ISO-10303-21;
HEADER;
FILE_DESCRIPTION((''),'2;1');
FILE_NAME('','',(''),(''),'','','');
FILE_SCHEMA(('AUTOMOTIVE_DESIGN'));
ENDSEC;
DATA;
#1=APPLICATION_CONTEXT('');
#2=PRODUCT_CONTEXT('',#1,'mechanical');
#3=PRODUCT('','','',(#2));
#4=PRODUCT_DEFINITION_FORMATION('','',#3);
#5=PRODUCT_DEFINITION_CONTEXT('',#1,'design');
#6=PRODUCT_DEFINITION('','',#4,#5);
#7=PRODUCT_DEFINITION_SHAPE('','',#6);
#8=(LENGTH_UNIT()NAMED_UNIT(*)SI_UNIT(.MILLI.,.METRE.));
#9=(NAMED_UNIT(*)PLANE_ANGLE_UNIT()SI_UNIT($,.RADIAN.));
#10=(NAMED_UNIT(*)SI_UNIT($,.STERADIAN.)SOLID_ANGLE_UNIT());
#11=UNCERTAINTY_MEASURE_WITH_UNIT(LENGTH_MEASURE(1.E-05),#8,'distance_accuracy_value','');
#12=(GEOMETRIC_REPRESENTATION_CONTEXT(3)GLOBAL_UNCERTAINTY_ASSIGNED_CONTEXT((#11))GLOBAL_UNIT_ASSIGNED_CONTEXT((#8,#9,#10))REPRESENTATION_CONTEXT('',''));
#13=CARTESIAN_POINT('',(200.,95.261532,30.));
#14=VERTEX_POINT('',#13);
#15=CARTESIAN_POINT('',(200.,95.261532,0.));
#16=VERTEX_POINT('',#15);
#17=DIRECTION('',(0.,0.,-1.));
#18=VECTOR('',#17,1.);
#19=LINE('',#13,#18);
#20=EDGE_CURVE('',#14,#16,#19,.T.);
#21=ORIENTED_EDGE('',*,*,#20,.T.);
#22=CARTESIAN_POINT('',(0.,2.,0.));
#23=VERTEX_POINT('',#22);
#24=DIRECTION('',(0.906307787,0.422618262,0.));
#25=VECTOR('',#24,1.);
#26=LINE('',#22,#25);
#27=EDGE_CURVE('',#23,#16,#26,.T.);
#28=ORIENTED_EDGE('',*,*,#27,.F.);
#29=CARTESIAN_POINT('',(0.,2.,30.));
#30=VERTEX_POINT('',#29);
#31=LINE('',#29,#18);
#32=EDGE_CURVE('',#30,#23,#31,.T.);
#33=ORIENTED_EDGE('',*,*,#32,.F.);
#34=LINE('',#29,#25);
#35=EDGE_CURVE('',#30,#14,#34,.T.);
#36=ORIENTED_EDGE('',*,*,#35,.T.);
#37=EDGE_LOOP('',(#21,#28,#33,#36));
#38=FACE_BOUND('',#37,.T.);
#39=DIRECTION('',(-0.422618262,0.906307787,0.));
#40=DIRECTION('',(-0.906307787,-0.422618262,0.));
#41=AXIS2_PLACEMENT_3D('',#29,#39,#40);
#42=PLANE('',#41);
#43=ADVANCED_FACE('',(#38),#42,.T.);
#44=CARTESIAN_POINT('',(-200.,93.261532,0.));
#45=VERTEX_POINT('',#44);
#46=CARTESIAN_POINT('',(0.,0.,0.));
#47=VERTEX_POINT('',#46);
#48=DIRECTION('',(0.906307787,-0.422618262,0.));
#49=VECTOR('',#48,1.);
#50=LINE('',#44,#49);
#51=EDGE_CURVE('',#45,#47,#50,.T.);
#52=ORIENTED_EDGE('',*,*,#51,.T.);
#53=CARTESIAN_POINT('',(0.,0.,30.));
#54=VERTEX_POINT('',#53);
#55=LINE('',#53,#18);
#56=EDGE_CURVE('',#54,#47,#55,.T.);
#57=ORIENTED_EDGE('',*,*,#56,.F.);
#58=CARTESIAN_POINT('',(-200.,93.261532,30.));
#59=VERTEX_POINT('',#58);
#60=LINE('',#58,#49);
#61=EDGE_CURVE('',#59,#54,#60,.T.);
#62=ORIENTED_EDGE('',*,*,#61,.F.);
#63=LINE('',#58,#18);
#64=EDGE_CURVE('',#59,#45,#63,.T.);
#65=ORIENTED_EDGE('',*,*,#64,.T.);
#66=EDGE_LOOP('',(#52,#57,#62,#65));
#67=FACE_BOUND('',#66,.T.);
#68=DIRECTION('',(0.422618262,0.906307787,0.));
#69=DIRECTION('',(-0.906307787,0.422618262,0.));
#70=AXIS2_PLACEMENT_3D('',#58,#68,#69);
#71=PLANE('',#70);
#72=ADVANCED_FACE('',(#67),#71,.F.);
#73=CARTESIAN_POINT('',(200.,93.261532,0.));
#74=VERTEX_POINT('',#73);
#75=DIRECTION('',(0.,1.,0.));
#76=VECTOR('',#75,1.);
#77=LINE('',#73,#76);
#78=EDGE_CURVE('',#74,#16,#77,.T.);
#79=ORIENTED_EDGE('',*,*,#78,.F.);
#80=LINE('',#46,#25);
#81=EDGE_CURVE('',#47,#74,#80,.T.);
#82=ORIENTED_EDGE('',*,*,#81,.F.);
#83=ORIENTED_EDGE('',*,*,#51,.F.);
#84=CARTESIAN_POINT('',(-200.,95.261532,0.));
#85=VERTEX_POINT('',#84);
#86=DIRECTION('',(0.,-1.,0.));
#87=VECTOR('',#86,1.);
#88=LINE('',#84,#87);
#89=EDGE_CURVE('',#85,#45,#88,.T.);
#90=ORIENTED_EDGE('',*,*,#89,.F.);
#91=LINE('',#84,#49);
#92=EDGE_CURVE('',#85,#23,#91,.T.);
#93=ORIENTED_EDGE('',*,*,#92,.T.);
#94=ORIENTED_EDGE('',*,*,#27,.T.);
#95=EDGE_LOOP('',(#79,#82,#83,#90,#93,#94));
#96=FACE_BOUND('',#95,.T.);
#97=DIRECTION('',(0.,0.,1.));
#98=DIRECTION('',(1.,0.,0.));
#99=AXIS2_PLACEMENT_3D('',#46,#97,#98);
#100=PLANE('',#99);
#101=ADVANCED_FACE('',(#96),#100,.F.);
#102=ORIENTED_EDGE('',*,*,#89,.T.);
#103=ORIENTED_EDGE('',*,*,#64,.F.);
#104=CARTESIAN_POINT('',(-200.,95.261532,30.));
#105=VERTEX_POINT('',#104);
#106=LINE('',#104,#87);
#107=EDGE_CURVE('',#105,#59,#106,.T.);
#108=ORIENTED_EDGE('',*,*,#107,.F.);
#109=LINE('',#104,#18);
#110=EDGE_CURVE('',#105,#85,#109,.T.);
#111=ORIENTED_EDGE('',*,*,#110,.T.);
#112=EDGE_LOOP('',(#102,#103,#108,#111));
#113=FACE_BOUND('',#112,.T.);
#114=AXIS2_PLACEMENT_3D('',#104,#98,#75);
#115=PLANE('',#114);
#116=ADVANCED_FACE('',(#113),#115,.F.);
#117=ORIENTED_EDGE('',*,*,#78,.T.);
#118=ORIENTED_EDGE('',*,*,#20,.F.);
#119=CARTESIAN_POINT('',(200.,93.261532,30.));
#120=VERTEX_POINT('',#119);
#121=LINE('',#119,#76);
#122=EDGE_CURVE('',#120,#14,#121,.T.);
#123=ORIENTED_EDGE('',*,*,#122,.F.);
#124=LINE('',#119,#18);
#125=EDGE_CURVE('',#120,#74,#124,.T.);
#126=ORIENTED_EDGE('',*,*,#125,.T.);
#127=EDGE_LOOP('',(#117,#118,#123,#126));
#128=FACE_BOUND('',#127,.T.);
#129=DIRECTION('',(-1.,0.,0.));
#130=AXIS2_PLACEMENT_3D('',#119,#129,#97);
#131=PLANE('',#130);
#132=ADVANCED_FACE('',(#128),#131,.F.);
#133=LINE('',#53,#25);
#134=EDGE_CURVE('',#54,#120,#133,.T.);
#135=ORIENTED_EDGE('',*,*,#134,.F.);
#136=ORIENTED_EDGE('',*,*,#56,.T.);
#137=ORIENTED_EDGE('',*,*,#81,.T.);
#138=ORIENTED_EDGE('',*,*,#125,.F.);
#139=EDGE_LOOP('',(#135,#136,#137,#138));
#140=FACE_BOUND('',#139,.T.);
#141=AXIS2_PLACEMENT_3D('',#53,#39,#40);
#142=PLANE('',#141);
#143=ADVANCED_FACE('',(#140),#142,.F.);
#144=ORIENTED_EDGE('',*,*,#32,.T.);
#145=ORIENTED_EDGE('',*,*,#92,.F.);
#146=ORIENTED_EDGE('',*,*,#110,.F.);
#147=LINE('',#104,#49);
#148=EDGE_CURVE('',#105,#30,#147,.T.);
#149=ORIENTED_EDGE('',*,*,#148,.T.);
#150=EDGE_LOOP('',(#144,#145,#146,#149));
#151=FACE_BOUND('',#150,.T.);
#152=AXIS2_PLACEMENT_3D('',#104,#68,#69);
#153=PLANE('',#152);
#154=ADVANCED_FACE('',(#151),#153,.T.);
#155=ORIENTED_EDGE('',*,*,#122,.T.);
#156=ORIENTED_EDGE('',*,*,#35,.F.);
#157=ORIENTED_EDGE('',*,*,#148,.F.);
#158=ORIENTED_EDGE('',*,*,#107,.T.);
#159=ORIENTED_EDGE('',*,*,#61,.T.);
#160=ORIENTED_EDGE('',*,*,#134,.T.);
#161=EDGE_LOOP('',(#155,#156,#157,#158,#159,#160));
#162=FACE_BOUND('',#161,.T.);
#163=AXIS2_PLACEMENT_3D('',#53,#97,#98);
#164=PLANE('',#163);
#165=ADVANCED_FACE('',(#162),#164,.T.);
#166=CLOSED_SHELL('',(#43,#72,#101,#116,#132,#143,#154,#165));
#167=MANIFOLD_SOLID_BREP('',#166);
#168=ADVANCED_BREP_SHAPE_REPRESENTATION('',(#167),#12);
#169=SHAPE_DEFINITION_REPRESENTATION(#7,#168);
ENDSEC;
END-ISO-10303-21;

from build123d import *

# Parameters (mm, degrees)
BOSS_EXTRU_1_DEPTH = 30


with BuildPart() as part:
    # Esquisse1 → Boss.-Extru.1 (new body)
    with BuildSketch(Plane.XY):
        Polygon((-200, 95.261531631), (0, 2), (200, 95.261531631), (200, 93.261531631), (0, 0), (-200, 93.261531631), align=None)
    extrude(amount=BOSS_EXTRU_1_DEPTH)


solid = part.part
